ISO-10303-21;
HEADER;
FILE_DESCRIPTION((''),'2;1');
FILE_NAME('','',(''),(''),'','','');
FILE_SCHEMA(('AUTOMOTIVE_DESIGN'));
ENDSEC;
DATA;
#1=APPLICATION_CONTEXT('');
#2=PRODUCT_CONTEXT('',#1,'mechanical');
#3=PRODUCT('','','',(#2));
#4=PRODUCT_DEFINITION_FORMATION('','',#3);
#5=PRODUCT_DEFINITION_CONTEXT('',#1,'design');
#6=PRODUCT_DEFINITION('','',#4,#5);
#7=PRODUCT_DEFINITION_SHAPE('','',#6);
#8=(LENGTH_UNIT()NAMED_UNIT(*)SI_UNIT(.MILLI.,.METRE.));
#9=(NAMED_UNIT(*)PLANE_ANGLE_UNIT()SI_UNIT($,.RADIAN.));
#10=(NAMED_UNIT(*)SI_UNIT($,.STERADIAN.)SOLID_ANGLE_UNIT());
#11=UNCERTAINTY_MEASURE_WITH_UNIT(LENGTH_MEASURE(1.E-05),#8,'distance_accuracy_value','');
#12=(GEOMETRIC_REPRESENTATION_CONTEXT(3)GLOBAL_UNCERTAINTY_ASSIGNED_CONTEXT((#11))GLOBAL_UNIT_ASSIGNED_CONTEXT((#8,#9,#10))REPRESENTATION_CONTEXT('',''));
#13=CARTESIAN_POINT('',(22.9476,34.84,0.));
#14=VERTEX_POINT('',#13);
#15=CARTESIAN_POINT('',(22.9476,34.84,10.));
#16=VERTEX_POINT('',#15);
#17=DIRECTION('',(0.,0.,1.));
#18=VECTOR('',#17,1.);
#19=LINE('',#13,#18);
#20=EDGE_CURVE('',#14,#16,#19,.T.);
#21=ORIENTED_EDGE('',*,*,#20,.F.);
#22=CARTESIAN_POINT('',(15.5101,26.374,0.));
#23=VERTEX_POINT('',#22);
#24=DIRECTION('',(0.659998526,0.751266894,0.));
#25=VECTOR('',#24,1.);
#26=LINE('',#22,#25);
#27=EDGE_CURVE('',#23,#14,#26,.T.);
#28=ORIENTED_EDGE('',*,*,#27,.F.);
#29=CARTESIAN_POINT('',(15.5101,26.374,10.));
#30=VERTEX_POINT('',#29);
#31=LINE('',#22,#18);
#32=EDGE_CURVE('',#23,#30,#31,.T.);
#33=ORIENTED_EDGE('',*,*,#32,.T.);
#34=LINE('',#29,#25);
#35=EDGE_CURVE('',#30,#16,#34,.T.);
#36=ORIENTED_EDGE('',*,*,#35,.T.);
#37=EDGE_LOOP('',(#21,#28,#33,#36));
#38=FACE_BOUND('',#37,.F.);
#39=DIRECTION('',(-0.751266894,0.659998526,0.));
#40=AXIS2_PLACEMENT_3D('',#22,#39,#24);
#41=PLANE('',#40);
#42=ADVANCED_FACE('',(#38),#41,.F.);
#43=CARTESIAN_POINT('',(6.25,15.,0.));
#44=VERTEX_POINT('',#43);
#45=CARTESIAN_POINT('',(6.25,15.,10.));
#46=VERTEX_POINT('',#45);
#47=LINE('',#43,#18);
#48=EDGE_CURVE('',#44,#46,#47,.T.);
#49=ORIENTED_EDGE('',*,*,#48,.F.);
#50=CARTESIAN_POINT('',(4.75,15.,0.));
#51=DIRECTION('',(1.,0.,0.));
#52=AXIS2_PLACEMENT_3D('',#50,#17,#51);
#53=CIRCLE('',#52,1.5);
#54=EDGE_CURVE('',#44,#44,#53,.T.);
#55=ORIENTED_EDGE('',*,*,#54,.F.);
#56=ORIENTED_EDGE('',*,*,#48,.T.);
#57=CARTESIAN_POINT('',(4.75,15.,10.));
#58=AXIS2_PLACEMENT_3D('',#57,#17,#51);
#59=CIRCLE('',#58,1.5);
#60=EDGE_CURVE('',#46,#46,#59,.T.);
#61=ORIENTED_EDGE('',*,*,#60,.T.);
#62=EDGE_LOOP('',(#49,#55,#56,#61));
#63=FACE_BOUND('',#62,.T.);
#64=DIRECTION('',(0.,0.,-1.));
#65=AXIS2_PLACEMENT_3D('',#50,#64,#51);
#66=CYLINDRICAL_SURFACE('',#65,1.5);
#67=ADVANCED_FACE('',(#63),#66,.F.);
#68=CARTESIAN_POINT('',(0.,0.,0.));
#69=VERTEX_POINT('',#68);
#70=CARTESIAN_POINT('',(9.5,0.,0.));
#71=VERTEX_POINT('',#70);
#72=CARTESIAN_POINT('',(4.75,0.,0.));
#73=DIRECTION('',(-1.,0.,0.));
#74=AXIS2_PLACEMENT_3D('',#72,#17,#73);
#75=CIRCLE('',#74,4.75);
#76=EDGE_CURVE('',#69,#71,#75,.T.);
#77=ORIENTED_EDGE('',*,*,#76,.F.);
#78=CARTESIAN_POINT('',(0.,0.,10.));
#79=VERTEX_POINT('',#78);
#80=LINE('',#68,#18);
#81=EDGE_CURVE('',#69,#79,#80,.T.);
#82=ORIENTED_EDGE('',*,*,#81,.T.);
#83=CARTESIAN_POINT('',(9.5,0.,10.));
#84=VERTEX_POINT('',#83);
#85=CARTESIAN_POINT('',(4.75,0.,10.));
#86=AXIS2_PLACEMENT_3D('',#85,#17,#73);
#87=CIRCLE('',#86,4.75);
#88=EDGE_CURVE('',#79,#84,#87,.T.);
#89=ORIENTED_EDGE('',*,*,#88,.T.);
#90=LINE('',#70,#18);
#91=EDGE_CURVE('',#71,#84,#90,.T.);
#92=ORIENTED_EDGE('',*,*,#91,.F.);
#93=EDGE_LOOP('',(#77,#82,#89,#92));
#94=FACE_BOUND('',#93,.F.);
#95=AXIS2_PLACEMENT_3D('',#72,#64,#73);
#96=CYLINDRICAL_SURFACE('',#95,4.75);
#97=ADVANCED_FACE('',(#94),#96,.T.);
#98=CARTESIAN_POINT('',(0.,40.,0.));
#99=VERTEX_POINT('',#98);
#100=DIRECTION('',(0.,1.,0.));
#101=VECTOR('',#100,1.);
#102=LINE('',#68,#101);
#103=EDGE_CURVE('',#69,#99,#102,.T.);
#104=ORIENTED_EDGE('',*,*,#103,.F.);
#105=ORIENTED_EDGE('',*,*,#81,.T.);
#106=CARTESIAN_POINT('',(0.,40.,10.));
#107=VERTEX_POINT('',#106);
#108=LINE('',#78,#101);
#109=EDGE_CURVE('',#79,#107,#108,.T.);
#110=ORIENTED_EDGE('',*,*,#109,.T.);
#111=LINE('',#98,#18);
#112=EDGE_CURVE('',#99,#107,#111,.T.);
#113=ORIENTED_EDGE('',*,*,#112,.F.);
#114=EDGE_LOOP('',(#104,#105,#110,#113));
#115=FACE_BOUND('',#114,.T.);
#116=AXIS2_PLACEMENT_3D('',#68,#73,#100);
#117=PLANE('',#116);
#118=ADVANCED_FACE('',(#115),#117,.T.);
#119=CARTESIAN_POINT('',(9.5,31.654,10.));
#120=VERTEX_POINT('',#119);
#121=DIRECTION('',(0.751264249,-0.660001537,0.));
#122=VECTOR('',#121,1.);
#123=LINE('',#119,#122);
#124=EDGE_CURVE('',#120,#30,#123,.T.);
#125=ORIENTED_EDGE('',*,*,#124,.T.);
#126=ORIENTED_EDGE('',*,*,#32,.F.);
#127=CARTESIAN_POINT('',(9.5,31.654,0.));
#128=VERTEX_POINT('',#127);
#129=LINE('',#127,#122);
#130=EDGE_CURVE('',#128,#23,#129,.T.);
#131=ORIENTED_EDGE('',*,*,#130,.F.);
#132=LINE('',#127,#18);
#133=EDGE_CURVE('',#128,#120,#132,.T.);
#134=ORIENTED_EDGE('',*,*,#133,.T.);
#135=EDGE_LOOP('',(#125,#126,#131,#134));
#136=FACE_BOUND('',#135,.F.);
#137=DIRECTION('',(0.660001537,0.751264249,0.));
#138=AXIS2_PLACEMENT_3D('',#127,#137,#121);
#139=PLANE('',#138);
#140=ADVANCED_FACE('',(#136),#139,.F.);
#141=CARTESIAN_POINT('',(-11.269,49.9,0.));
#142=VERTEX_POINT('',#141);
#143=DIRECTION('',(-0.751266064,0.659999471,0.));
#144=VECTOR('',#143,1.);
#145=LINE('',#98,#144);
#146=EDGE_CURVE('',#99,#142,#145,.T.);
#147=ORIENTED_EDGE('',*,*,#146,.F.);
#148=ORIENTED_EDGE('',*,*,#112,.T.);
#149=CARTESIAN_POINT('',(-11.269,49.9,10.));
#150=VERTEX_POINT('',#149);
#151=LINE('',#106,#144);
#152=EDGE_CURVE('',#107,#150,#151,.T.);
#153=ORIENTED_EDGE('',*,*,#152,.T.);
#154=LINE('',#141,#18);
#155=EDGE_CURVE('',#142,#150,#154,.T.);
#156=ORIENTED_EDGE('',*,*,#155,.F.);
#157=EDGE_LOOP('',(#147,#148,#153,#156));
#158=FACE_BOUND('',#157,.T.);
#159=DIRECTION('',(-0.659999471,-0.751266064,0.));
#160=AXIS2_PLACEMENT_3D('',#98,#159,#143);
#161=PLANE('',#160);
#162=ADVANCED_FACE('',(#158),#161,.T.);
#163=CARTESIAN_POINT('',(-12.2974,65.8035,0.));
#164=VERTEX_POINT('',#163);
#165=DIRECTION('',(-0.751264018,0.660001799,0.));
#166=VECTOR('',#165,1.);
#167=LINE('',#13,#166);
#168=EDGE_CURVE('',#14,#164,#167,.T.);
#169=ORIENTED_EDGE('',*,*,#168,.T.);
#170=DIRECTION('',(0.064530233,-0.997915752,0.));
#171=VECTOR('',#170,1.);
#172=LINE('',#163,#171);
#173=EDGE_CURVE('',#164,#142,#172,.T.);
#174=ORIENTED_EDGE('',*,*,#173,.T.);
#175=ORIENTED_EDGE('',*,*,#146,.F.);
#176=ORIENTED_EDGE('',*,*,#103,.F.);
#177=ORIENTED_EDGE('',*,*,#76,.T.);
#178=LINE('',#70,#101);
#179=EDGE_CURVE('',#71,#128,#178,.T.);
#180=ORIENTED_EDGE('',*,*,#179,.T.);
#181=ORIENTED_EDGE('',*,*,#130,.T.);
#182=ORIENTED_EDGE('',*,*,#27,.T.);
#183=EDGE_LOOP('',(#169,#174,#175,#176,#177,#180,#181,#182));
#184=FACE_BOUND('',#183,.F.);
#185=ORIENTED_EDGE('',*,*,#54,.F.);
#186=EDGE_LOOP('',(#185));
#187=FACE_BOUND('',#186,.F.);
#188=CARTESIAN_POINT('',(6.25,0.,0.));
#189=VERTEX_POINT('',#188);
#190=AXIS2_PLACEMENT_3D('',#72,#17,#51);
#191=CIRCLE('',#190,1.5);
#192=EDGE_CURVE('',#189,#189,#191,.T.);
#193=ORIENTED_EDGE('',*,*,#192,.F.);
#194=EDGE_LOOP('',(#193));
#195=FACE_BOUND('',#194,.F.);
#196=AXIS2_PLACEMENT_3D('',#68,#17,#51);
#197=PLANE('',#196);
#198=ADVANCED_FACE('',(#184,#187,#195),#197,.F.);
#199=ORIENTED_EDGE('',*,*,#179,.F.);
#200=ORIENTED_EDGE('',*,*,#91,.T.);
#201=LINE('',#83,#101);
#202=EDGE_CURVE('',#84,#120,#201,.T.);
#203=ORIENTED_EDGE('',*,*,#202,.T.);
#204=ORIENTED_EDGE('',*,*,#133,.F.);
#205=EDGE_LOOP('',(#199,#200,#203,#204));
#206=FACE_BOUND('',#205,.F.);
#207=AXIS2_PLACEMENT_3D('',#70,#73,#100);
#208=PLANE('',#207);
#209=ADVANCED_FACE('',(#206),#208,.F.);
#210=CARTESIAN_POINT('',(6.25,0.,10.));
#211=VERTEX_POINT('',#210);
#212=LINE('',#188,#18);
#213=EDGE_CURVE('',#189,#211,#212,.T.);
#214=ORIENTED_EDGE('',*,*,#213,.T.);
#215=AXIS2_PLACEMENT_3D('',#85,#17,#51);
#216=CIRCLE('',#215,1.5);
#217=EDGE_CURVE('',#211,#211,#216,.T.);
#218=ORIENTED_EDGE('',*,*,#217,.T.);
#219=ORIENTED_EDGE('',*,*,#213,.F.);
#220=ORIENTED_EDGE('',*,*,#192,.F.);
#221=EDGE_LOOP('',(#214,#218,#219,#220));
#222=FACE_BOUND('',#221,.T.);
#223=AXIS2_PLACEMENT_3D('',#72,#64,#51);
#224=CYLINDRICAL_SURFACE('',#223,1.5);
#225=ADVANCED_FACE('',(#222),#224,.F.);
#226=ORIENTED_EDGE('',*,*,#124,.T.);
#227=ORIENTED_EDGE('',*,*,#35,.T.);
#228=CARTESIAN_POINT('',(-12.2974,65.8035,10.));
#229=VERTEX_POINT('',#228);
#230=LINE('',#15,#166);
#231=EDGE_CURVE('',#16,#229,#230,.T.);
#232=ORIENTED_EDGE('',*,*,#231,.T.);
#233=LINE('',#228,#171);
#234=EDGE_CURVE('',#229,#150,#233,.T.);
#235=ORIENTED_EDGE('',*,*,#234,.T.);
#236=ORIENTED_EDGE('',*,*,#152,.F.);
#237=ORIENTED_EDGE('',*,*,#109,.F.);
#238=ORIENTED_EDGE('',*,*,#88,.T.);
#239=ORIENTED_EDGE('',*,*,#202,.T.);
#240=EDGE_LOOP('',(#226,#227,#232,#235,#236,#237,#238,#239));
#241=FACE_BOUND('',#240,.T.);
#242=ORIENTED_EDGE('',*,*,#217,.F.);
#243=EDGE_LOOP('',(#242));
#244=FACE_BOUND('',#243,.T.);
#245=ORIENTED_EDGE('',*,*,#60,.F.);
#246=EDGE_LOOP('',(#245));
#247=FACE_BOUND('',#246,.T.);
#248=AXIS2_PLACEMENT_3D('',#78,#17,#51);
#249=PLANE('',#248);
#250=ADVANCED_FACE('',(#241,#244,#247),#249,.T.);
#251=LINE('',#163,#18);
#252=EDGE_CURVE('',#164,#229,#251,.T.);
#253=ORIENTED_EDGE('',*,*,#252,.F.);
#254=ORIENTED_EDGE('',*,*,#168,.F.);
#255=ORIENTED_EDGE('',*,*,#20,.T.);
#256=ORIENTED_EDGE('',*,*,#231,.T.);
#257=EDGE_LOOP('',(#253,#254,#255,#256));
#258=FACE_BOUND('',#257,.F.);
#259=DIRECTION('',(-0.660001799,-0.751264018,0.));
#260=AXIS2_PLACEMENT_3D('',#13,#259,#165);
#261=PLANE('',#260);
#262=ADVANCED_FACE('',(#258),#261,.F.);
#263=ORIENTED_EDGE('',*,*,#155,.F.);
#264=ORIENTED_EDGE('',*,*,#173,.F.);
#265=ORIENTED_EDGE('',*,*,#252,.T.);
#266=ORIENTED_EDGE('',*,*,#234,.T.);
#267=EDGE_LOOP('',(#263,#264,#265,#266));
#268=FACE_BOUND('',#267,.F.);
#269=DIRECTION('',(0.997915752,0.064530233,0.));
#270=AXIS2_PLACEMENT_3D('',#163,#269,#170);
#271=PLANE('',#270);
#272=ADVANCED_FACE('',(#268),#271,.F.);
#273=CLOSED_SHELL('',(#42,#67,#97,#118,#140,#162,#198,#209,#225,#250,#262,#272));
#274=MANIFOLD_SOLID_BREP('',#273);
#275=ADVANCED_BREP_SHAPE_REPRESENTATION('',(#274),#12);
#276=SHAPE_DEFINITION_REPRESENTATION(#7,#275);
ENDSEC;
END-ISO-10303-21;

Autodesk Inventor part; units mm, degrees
ref_plane "YZ Plane" through (0, 0, 0) normal (1, 0, 0) x (0, 1, 0)
ref_plane "XZ Plane" through (0, 0, 0) normal (0, 1, 0) x (-1, 0, 0)
ref_plane "XY Plane" through (0, 0, 0) normal (0, 0, 1) x (1, 0, 0)
sketch "Sketch1" plane through (0, 0, 0) normal (0, 0, 1) x (1, 0, 0)
  line L0 (0, 0) -> (0, 40)
  circle A0 centre (4.75, 0) radius 4.75 construction
  line L1 (9.5, 0) -> (9.5, 31.654)
  arc A1 (0, 0) -> (9.5, 0) centre (4.75, 0) ccw
  line L2 (0, 40) -> (-11.269, 49.9)
  line L3 (9.5, 31.654) -> (15.5101, 26.374)
  line L4 (15.5101, 26.374) -> (22.9476, 34.84)
  line L5 (22.9476, 34.84) -> (-12.2974, 65.8035)
  line L6 (-12.2974, 65.8035) -> (-11.269, 49.9)
  circle A2 centre (4.75, 0) radius 1.5
  circle A3 centre (4.75, 15) radius 1.5
  line L7 (-11.269, 49.9) -> (16.1034, 25.8528) construction
  dimension "d0" = 40
  dimension "d1" = 9.5
  dimension "d3" = 15
  dimension "d4" = 8
  dimension "d6" = 3
  dimension "d7" = 3
  dimension "d8" = 15
  dimension "d13" = 131.3
  dimension "d21" = 90
  dimension "d23" = 11.269
  dimension "d24" = 135
extrude "Extrusion1" add sketch "Sketch1" along normal blind 10
properties part number "GA007" material "ABS Plastic"
